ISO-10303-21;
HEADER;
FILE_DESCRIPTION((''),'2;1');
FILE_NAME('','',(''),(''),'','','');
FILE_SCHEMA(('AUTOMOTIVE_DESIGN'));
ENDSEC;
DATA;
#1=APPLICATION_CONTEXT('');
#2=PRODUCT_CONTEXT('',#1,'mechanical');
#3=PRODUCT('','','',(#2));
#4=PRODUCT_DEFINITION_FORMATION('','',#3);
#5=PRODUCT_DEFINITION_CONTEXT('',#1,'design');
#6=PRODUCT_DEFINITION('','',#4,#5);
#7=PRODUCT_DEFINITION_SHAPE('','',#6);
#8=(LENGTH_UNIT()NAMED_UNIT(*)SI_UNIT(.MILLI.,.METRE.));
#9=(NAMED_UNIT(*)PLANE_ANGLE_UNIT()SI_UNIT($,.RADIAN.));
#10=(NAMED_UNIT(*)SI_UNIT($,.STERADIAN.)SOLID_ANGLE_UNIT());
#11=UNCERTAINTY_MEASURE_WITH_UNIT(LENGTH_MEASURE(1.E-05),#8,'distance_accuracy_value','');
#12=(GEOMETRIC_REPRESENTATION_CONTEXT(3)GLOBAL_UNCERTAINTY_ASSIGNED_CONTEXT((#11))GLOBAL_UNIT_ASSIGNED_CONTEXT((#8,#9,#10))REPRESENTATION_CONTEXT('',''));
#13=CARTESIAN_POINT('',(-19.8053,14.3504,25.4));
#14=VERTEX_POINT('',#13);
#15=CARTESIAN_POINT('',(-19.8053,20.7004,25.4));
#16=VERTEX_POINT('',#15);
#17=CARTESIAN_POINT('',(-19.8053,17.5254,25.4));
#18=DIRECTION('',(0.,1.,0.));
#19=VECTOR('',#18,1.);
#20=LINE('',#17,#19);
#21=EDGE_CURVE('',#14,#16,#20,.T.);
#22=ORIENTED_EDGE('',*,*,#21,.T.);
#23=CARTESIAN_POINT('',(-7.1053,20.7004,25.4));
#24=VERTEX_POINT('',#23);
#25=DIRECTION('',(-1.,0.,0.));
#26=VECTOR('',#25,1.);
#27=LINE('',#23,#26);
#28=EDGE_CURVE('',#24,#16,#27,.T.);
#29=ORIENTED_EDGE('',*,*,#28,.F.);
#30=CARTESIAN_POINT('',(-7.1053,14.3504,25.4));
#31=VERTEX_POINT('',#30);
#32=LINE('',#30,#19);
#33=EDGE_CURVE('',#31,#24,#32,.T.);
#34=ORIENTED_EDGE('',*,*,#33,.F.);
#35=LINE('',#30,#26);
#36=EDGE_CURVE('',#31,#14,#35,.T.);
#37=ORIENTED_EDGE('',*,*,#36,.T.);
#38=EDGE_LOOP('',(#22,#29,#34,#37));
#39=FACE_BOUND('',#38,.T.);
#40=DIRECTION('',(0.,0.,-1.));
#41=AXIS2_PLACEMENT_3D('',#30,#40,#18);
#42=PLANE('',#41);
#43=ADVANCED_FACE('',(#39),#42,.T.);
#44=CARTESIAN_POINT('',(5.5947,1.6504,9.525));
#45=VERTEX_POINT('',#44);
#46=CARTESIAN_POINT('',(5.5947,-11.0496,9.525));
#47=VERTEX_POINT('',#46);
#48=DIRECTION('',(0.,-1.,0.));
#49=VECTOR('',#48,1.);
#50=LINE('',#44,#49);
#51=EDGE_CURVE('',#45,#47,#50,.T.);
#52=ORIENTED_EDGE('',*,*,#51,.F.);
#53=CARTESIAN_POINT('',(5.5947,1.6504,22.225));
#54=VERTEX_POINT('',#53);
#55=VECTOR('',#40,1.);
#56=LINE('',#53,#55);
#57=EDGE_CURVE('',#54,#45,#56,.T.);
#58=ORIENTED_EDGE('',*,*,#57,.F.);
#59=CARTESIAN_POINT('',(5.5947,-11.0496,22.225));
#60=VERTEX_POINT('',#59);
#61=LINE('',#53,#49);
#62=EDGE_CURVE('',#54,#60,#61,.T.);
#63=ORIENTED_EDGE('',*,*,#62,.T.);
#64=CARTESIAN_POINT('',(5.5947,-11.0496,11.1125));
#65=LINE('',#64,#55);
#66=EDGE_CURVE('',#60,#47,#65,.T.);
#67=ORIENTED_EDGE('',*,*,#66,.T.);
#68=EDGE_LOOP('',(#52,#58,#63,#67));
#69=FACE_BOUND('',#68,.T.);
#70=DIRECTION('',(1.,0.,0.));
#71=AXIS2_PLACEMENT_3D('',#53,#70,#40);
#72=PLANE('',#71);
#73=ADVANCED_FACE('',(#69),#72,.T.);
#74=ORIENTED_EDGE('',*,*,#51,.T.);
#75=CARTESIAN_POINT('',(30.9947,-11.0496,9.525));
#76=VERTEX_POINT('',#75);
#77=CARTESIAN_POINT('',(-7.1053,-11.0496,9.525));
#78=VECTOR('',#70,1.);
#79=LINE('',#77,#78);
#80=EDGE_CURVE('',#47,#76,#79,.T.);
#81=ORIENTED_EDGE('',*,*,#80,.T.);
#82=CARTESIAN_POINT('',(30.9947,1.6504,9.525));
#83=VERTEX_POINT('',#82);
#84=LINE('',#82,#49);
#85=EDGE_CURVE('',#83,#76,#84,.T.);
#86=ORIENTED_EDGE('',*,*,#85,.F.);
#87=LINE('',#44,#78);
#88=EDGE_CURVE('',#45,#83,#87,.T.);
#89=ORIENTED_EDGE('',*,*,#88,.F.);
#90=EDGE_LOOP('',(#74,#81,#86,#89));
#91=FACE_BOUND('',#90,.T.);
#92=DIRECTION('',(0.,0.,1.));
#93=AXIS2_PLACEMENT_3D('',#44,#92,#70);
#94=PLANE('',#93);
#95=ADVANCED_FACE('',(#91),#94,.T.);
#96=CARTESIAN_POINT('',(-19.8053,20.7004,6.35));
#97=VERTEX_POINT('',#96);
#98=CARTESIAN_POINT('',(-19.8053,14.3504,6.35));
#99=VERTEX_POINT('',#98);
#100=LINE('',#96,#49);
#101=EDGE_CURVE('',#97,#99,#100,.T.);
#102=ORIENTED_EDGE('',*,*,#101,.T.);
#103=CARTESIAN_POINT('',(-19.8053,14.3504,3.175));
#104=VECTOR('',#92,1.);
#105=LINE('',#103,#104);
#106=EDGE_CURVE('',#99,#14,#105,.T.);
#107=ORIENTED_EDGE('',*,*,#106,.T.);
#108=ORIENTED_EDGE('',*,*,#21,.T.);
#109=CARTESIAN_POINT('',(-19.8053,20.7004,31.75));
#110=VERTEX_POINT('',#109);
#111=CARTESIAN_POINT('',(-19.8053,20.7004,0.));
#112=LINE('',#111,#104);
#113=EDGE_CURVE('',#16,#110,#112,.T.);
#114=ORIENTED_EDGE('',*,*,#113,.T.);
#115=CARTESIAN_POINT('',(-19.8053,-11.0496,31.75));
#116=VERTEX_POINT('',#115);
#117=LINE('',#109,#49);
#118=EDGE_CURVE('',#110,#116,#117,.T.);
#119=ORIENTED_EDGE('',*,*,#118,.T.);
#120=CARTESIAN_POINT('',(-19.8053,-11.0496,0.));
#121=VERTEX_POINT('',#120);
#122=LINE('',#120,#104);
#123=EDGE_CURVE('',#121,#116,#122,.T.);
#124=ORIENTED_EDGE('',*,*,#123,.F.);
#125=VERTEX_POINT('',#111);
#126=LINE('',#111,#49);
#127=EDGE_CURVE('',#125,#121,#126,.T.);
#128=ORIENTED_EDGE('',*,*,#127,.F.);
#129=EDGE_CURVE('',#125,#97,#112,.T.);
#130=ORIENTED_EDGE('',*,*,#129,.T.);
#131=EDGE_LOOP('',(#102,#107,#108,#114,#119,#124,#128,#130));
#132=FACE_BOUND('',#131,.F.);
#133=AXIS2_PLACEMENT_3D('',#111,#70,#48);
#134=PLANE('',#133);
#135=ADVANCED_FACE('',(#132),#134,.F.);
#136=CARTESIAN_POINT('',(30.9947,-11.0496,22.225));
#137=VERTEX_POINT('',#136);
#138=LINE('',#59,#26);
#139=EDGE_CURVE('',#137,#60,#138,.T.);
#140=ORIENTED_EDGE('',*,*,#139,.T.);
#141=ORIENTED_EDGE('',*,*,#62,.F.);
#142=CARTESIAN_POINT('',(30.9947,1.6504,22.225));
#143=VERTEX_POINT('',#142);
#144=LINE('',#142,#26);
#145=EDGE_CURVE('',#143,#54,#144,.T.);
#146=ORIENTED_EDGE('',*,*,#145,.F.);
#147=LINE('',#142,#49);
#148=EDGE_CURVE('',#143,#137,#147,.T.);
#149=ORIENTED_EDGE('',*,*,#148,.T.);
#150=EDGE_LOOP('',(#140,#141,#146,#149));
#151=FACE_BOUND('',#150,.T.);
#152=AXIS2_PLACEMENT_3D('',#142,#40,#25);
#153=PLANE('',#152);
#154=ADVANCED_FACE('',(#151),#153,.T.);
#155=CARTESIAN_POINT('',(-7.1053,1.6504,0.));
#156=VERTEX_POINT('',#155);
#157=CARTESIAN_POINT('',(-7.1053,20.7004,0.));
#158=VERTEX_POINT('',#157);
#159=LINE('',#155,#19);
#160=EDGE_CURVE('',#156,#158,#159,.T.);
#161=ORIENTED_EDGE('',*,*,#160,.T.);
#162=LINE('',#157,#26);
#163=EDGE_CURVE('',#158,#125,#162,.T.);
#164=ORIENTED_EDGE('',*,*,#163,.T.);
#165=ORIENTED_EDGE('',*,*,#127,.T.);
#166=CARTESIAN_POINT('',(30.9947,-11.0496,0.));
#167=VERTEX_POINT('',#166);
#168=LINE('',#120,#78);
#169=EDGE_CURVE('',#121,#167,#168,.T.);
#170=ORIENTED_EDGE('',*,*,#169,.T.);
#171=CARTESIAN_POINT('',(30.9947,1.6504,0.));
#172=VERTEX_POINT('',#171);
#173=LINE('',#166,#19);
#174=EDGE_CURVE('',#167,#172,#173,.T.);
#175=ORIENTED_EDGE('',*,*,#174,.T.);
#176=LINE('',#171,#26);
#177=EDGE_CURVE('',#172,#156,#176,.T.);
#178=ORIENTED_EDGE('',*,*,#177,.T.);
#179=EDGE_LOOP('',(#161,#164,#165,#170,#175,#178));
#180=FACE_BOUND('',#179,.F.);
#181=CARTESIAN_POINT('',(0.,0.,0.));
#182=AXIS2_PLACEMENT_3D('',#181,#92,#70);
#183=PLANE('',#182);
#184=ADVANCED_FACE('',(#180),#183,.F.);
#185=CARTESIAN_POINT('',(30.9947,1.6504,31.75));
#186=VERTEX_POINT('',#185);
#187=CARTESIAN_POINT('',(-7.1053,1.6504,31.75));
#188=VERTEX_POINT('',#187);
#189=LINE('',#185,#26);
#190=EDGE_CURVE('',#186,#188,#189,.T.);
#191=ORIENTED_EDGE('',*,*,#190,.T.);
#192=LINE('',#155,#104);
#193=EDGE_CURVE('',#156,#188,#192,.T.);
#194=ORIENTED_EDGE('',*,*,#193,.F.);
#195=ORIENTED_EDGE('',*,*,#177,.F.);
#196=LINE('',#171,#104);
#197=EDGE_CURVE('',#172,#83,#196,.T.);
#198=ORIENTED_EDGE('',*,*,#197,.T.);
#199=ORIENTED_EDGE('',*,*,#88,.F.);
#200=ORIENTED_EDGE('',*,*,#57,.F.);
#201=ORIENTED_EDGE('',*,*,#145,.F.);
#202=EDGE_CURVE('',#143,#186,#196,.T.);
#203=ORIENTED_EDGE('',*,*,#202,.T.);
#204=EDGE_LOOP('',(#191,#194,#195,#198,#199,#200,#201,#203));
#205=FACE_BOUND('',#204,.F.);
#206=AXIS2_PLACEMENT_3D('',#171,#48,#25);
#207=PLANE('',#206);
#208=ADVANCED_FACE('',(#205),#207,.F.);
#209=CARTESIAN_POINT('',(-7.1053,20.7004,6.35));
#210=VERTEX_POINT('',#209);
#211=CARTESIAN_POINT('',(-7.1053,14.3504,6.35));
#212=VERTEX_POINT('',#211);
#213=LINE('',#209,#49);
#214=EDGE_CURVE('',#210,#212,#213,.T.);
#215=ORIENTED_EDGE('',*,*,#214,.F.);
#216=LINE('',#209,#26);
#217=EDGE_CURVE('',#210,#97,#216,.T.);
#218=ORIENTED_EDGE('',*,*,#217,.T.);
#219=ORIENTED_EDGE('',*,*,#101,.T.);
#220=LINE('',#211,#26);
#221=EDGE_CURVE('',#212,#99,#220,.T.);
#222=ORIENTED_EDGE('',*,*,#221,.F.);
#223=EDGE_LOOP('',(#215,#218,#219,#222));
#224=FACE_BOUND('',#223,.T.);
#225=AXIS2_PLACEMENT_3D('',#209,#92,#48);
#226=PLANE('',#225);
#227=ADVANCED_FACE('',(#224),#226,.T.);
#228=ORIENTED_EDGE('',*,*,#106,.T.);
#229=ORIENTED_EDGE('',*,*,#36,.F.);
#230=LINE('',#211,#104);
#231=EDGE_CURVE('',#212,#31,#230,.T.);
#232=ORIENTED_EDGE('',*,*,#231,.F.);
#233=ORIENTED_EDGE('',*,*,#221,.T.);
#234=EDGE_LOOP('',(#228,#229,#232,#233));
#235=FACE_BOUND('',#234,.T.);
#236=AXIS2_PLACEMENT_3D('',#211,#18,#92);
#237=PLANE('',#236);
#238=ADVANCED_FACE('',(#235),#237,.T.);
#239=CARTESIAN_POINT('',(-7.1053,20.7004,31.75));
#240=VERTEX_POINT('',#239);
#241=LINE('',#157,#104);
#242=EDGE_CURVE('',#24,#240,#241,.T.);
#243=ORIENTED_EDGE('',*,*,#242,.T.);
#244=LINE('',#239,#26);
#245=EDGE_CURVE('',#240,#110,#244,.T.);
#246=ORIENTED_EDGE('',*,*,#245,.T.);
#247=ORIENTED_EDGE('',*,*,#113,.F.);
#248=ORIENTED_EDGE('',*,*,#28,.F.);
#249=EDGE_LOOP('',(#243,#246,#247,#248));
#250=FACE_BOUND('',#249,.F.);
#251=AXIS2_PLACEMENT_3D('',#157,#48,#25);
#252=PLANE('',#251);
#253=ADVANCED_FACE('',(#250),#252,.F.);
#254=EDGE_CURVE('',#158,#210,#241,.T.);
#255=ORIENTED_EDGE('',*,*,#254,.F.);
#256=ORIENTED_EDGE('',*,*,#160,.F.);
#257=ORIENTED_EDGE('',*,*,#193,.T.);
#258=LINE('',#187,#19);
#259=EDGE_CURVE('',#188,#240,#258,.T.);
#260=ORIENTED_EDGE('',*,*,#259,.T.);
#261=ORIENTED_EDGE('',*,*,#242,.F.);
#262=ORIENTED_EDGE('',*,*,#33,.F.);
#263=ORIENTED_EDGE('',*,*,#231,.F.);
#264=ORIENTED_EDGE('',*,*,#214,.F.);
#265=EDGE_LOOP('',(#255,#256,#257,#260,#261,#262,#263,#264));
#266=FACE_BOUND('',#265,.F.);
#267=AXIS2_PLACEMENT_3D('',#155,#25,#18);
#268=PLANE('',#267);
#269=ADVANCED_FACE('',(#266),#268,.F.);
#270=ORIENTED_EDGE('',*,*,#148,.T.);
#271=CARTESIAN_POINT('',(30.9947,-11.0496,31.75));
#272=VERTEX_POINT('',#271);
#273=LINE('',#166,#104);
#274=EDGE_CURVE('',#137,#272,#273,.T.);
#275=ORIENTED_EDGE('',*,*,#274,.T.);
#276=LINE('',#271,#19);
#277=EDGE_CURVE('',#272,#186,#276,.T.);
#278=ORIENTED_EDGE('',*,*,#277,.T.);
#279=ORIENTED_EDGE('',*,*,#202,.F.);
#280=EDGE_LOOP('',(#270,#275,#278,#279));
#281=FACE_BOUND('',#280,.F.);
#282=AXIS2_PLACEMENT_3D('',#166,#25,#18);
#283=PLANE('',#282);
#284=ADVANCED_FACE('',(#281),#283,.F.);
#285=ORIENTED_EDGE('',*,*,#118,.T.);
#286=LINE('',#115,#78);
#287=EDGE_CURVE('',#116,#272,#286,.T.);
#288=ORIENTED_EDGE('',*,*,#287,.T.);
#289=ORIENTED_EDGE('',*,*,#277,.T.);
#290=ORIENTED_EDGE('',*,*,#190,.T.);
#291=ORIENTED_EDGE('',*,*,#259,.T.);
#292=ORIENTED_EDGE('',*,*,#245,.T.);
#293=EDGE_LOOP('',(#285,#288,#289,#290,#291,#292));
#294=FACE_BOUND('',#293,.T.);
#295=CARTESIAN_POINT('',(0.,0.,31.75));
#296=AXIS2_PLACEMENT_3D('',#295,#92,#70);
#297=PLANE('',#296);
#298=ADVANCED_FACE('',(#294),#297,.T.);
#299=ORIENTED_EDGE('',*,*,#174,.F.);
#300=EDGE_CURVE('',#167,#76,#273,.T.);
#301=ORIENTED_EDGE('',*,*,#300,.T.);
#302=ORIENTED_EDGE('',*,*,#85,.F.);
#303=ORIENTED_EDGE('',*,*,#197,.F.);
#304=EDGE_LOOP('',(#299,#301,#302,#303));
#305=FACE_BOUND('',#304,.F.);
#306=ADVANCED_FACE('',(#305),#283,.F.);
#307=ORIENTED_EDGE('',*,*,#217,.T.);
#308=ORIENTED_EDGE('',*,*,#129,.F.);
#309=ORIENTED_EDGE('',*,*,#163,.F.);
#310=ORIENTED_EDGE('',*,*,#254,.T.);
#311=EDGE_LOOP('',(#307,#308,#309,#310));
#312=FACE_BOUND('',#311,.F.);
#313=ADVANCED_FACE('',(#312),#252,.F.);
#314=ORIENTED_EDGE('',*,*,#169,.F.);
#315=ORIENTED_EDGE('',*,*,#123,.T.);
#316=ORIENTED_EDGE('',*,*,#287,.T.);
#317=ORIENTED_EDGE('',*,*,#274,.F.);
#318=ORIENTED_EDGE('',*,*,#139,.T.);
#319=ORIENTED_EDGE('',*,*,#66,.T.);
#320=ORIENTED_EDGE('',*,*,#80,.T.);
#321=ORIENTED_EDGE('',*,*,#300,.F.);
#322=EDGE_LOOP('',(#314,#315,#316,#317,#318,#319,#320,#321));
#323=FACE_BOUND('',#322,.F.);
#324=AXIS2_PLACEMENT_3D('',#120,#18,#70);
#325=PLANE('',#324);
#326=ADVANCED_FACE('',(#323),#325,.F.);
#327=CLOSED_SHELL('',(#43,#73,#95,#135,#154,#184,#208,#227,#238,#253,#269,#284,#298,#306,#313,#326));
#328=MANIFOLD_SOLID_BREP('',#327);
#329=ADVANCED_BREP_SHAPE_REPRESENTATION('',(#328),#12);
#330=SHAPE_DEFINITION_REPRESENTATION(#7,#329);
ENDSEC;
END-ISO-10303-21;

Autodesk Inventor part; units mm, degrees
ref_plane "YZ Plane" through (0, 0, 0) normal (1, 0, 0) x (0, 1, 0)
ref_plane "XZ Plane" through (0, 0, 0) normal (0, 1, 0) x (-1, 0, 0)
ref_plane "XY Plane" through (0, 0, 0) normal (0, 0, 1) x (1, 0, 0)
sketch "Sketch1" plane through (0, 0, 0) normal (0, 0, 1) x (1, 0, 0)
  line L0 (-19.8053, 20.7004) -> (-19.8053, -11.0496)
  line L1 (-19.8053, -11.0496) -> (30.9947, -11.0496)
  line L2 (30.9947, -11.0496) -> (30.9947, 1.6504)
  line L3 (30.9947, 1.6504) -> (-7.1053, 1.6504)
  line L4 (-7.1053, 1.6504) -> (-7.1053, 20.7004)
  line L5 (-7.1053, 20.7004) -> (-19.8053, 20.7004)
  point P0 (0, 0)
  dimension "d0" = 12.7
  dimension "d1" = 50.8
  dimension "d2" = 12.7
  dimension "d3" = 31.75
extrude "Extrusion1" add sketch "Sketch1" along normal blind 31.75
sketch "Sketch2" plane through (-7.1053, 1.6504, 0) normal (1, 0, 0) x (0, 0, -1)
  line L0 (0, 19.05) -> (-31.75, 19.05) projected
  line L1 (-25.4, 19.05) -> (-6.35, 19.05)
  line L2 (-6.35, 19.05) -> (-6.35, 12.7)
  line L3 (-6.35, 12.7) -> (-25.4, 12.7)
  line L4 (-25.4, 12.7) -> (-25.4, 19.05)
  line L5 (-31.75, 0) -> (-31.75, 19.05) projected
  line L6 (0, 0) -> (0, 19.05) projected
  point P0 (0, -1.6504)
  dimension "d6" = 6.35
  dimension "d7" = 6.35
  dimension "d8" = 6.35
extrude "Extrusion2" cut sketch "Sketch2" against normal blind 31.75
sketch "Sketch3" plane through (-7.1053, 1.6504, 0) normal (0, 1, 0) x (1, 0, 0)
  line L0 (38.1, 0) -> (38.1, -31.75) projected
  line L1 (38.1, -22.225) -> (12.7, -22.225)
  line L2 (12.7, -22.225) -> (12.7, -9.525)
  line L3 (12.7, -9.525) -> (38.1, -9.525)
  line L4 (38.1, -9.525) -> (38.1, -22.225)
  line L5 (-12.7, 0) -> (38.1, 0) projected
  line L6 (38.1, -31.75) -> (0, -31.75) projected
  point P0 (7.1053, 0)
  dimension "d11" = 9.525
  dimension "d12" = 9.525
  dimension "d13" = 25.4
extrude "Extrusion3" cut sketch "Sketch3" against normal blind 31.75
properties part number "Figure 7_27_1"
